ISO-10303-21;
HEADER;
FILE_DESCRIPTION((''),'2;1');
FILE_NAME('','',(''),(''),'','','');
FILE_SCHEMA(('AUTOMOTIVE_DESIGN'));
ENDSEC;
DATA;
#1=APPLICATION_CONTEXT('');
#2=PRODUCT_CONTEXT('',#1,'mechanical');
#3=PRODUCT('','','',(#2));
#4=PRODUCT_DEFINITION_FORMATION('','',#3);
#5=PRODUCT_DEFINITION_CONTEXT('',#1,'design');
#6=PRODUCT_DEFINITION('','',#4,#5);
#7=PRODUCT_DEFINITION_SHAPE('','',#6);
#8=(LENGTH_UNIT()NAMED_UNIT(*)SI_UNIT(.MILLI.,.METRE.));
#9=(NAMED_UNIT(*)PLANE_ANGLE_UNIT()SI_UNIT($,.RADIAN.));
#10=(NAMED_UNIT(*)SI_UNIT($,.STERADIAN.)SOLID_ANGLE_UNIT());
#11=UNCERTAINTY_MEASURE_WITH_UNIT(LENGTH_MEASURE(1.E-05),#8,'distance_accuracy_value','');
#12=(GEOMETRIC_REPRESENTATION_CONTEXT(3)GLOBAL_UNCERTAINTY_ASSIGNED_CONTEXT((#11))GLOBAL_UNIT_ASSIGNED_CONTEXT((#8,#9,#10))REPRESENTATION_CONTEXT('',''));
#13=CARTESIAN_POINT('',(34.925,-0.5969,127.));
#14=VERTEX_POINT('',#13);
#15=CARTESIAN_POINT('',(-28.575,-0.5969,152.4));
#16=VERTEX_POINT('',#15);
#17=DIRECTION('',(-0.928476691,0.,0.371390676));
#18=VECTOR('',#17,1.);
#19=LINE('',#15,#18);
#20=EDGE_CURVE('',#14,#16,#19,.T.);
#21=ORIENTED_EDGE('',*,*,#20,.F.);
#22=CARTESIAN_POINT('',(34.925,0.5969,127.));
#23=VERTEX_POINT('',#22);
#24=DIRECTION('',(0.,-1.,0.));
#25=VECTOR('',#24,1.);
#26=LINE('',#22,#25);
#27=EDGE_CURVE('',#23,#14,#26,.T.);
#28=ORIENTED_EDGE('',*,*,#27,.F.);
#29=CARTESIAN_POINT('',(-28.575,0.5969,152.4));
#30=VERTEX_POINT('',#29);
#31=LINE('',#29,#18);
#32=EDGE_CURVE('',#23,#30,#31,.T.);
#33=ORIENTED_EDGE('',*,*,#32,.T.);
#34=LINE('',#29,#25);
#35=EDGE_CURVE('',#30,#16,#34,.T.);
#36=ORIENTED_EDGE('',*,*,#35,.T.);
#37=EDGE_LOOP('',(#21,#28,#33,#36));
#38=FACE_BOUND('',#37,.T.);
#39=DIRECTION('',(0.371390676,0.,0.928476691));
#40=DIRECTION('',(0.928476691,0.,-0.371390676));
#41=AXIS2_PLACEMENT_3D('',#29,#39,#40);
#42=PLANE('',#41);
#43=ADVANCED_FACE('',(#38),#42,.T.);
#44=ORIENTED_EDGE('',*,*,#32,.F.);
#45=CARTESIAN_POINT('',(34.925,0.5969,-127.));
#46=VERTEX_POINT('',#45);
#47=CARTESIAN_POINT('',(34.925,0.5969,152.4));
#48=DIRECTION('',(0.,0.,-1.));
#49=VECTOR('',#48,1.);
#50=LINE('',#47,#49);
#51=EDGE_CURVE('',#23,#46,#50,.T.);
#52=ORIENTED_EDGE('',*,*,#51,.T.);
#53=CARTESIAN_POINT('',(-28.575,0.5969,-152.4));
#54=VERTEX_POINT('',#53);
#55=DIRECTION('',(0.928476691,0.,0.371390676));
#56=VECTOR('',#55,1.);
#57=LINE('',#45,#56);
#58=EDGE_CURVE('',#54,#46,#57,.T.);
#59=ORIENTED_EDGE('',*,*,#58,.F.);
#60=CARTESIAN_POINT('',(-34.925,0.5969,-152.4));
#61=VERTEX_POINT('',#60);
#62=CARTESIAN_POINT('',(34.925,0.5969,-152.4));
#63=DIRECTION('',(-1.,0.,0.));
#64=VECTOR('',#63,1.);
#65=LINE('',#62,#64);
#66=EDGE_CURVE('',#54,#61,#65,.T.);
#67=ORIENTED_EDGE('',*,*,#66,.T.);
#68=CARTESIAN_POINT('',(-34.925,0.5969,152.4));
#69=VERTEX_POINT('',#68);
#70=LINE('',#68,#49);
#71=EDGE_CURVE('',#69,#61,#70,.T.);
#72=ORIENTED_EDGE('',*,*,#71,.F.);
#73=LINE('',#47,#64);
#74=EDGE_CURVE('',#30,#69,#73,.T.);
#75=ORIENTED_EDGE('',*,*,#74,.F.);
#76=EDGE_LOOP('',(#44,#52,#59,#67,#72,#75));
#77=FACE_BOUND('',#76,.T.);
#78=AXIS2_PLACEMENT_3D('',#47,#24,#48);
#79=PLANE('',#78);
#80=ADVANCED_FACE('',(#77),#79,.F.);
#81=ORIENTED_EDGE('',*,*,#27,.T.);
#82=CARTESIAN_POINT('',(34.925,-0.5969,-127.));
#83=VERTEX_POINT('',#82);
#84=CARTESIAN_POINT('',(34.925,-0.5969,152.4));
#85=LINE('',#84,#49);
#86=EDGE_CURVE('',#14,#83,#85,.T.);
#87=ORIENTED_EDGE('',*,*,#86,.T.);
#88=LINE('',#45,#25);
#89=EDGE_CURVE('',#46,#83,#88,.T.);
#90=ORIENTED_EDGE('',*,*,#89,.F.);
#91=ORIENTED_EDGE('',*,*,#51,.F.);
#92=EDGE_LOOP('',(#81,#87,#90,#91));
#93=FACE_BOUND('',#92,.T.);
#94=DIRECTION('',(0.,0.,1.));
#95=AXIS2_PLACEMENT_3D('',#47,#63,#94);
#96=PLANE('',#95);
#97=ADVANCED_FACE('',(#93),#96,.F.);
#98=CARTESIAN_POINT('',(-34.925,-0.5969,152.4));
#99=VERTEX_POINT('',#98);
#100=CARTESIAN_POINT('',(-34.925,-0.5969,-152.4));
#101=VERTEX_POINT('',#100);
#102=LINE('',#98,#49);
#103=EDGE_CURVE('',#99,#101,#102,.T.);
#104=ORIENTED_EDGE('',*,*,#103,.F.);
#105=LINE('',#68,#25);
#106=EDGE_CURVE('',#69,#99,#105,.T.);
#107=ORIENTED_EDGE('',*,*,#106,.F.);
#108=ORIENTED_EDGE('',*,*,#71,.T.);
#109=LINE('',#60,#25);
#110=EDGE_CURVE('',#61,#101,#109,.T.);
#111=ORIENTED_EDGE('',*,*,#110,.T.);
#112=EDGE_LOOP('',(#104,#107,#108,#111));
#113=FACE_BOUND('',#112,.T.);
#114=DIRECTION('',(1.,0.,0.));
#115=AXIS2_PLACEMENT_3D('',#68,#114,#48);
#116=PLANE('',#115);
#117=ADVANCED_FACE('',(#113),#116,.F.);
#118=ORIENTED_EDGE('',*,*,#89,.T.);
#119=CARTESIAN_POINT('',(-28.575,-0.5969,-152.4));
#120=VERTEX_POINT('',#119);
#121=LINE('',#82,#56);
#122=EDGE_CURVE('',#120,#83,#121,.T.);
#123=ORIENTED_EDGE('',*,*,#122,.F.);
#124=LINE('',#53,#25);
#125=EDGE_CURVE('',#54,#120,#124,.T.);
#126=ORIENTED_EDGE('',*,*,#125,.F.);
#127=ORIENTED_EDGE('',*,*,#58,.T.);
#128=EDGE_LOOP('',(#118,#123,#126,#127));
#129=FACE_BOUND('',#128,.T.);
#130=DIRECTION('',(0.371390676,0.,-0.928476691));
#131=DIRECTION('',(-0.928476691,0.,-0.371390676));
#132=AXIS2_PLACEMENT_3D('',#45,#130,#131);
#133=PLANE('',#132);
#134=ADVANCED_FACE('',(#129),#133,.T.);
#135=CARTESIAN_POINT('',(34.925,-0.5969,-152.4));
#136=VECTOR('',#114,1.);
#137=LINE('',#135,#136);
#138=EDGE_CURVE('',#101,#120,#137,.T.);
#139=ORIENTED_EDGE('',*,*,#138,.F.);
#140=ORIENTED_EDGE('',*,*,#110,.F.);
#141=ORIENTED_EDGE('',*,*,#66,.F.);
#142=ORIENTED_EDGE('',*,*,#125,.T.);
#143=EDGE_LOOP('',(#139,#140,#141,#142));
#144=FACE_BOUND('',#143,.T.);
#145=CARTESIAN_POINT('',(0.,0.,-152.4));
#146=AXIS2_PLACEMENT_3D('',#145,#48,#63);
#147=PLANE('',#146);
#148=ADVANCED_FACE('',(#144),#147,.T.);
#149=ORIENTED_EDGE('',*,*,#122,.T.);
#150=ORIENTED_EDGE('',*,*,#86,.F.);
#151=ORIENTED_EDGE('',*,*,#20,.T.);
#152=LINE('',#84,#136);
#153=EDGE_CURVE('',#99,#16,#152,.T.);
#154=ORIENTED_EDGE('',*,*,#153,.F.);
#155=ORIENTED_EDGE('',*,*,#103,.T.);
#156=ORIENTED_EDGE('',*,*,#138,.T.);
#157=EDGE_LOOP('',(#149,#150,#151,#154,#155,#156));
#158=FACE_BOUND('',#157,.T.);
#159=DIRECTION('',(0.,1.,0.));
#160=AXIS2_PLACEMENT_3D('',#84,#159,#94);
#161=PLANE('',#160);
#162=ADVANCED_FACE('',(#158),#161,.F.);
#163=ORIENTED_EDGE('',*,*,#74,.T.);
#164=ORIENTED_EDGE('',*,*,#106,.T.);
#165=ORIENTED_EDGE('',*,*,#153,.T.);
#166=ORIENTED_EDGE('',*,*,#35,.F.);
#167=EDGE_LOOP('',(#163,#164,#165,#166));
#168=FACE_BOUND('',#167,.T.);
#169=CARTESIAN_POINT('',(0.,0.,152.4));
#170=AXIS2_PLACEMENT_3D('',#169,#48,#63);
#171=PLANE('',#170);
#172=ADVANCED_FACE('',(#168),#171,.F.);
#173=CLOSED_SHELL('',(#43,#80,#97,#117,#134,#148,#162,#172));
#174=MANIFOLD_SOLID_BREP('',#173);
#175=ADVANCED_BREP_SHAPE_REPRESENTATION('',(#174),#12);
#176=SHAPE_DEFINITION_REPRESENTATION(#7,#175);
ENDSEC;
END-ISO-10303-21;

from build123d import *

# Parameters (mm, degrees)
BOSS_EXTRUDE1_DEPTH      = 152.4
BOSS_EXTRUDE1_DEPTH_BACK = 152.4
SKETCH3_W                = 69.85
SKETCH3_H                = 1.1938
SKETCH5_OUTSIDE_W        = 134.39
SKETCH5_OUTSIDE_H        = 369.34
CUT_EXTRUDE2_DEPTH       = 157.355175109


with BuildPart() as part:
    # Sketch3 → Boss-Extrude1 (new, two sides: drawn at the far end of the back side and taken through both)
    with BuildSketch(Plane.XY.offset(-BOSS_EXTRUDE1_DEPTH_BACK)):
        Rectangle(SKETCH3_W, SKETCH3_H)
    extrude(amount=BOSS_EXTRUDE1_DEPTH + BOSS_EXTRUDE1_DEPTH_BACK)

    # Sketch5 outside → Cut-Extrude2 (cut, through all)
    with BuildSketch(Plane.XZ.offset(0.5969)):
        Rectangle(SKETCH5_OUTSIDE_W, SKETCH5_OUTSIDE_H)
        Polygon((-28.575, 152.4), (34.925, 127), (34.925, -127), (-28.575, -152.4), (-34.925, -152.4), (-34.925, 152.4), align=None, mode=Mode.SUBTRACT)
    extrude(amount=-CUT_EXTRUDE2_DEPTH, mode=Mode.SUBTRACT)


solid = part.part
